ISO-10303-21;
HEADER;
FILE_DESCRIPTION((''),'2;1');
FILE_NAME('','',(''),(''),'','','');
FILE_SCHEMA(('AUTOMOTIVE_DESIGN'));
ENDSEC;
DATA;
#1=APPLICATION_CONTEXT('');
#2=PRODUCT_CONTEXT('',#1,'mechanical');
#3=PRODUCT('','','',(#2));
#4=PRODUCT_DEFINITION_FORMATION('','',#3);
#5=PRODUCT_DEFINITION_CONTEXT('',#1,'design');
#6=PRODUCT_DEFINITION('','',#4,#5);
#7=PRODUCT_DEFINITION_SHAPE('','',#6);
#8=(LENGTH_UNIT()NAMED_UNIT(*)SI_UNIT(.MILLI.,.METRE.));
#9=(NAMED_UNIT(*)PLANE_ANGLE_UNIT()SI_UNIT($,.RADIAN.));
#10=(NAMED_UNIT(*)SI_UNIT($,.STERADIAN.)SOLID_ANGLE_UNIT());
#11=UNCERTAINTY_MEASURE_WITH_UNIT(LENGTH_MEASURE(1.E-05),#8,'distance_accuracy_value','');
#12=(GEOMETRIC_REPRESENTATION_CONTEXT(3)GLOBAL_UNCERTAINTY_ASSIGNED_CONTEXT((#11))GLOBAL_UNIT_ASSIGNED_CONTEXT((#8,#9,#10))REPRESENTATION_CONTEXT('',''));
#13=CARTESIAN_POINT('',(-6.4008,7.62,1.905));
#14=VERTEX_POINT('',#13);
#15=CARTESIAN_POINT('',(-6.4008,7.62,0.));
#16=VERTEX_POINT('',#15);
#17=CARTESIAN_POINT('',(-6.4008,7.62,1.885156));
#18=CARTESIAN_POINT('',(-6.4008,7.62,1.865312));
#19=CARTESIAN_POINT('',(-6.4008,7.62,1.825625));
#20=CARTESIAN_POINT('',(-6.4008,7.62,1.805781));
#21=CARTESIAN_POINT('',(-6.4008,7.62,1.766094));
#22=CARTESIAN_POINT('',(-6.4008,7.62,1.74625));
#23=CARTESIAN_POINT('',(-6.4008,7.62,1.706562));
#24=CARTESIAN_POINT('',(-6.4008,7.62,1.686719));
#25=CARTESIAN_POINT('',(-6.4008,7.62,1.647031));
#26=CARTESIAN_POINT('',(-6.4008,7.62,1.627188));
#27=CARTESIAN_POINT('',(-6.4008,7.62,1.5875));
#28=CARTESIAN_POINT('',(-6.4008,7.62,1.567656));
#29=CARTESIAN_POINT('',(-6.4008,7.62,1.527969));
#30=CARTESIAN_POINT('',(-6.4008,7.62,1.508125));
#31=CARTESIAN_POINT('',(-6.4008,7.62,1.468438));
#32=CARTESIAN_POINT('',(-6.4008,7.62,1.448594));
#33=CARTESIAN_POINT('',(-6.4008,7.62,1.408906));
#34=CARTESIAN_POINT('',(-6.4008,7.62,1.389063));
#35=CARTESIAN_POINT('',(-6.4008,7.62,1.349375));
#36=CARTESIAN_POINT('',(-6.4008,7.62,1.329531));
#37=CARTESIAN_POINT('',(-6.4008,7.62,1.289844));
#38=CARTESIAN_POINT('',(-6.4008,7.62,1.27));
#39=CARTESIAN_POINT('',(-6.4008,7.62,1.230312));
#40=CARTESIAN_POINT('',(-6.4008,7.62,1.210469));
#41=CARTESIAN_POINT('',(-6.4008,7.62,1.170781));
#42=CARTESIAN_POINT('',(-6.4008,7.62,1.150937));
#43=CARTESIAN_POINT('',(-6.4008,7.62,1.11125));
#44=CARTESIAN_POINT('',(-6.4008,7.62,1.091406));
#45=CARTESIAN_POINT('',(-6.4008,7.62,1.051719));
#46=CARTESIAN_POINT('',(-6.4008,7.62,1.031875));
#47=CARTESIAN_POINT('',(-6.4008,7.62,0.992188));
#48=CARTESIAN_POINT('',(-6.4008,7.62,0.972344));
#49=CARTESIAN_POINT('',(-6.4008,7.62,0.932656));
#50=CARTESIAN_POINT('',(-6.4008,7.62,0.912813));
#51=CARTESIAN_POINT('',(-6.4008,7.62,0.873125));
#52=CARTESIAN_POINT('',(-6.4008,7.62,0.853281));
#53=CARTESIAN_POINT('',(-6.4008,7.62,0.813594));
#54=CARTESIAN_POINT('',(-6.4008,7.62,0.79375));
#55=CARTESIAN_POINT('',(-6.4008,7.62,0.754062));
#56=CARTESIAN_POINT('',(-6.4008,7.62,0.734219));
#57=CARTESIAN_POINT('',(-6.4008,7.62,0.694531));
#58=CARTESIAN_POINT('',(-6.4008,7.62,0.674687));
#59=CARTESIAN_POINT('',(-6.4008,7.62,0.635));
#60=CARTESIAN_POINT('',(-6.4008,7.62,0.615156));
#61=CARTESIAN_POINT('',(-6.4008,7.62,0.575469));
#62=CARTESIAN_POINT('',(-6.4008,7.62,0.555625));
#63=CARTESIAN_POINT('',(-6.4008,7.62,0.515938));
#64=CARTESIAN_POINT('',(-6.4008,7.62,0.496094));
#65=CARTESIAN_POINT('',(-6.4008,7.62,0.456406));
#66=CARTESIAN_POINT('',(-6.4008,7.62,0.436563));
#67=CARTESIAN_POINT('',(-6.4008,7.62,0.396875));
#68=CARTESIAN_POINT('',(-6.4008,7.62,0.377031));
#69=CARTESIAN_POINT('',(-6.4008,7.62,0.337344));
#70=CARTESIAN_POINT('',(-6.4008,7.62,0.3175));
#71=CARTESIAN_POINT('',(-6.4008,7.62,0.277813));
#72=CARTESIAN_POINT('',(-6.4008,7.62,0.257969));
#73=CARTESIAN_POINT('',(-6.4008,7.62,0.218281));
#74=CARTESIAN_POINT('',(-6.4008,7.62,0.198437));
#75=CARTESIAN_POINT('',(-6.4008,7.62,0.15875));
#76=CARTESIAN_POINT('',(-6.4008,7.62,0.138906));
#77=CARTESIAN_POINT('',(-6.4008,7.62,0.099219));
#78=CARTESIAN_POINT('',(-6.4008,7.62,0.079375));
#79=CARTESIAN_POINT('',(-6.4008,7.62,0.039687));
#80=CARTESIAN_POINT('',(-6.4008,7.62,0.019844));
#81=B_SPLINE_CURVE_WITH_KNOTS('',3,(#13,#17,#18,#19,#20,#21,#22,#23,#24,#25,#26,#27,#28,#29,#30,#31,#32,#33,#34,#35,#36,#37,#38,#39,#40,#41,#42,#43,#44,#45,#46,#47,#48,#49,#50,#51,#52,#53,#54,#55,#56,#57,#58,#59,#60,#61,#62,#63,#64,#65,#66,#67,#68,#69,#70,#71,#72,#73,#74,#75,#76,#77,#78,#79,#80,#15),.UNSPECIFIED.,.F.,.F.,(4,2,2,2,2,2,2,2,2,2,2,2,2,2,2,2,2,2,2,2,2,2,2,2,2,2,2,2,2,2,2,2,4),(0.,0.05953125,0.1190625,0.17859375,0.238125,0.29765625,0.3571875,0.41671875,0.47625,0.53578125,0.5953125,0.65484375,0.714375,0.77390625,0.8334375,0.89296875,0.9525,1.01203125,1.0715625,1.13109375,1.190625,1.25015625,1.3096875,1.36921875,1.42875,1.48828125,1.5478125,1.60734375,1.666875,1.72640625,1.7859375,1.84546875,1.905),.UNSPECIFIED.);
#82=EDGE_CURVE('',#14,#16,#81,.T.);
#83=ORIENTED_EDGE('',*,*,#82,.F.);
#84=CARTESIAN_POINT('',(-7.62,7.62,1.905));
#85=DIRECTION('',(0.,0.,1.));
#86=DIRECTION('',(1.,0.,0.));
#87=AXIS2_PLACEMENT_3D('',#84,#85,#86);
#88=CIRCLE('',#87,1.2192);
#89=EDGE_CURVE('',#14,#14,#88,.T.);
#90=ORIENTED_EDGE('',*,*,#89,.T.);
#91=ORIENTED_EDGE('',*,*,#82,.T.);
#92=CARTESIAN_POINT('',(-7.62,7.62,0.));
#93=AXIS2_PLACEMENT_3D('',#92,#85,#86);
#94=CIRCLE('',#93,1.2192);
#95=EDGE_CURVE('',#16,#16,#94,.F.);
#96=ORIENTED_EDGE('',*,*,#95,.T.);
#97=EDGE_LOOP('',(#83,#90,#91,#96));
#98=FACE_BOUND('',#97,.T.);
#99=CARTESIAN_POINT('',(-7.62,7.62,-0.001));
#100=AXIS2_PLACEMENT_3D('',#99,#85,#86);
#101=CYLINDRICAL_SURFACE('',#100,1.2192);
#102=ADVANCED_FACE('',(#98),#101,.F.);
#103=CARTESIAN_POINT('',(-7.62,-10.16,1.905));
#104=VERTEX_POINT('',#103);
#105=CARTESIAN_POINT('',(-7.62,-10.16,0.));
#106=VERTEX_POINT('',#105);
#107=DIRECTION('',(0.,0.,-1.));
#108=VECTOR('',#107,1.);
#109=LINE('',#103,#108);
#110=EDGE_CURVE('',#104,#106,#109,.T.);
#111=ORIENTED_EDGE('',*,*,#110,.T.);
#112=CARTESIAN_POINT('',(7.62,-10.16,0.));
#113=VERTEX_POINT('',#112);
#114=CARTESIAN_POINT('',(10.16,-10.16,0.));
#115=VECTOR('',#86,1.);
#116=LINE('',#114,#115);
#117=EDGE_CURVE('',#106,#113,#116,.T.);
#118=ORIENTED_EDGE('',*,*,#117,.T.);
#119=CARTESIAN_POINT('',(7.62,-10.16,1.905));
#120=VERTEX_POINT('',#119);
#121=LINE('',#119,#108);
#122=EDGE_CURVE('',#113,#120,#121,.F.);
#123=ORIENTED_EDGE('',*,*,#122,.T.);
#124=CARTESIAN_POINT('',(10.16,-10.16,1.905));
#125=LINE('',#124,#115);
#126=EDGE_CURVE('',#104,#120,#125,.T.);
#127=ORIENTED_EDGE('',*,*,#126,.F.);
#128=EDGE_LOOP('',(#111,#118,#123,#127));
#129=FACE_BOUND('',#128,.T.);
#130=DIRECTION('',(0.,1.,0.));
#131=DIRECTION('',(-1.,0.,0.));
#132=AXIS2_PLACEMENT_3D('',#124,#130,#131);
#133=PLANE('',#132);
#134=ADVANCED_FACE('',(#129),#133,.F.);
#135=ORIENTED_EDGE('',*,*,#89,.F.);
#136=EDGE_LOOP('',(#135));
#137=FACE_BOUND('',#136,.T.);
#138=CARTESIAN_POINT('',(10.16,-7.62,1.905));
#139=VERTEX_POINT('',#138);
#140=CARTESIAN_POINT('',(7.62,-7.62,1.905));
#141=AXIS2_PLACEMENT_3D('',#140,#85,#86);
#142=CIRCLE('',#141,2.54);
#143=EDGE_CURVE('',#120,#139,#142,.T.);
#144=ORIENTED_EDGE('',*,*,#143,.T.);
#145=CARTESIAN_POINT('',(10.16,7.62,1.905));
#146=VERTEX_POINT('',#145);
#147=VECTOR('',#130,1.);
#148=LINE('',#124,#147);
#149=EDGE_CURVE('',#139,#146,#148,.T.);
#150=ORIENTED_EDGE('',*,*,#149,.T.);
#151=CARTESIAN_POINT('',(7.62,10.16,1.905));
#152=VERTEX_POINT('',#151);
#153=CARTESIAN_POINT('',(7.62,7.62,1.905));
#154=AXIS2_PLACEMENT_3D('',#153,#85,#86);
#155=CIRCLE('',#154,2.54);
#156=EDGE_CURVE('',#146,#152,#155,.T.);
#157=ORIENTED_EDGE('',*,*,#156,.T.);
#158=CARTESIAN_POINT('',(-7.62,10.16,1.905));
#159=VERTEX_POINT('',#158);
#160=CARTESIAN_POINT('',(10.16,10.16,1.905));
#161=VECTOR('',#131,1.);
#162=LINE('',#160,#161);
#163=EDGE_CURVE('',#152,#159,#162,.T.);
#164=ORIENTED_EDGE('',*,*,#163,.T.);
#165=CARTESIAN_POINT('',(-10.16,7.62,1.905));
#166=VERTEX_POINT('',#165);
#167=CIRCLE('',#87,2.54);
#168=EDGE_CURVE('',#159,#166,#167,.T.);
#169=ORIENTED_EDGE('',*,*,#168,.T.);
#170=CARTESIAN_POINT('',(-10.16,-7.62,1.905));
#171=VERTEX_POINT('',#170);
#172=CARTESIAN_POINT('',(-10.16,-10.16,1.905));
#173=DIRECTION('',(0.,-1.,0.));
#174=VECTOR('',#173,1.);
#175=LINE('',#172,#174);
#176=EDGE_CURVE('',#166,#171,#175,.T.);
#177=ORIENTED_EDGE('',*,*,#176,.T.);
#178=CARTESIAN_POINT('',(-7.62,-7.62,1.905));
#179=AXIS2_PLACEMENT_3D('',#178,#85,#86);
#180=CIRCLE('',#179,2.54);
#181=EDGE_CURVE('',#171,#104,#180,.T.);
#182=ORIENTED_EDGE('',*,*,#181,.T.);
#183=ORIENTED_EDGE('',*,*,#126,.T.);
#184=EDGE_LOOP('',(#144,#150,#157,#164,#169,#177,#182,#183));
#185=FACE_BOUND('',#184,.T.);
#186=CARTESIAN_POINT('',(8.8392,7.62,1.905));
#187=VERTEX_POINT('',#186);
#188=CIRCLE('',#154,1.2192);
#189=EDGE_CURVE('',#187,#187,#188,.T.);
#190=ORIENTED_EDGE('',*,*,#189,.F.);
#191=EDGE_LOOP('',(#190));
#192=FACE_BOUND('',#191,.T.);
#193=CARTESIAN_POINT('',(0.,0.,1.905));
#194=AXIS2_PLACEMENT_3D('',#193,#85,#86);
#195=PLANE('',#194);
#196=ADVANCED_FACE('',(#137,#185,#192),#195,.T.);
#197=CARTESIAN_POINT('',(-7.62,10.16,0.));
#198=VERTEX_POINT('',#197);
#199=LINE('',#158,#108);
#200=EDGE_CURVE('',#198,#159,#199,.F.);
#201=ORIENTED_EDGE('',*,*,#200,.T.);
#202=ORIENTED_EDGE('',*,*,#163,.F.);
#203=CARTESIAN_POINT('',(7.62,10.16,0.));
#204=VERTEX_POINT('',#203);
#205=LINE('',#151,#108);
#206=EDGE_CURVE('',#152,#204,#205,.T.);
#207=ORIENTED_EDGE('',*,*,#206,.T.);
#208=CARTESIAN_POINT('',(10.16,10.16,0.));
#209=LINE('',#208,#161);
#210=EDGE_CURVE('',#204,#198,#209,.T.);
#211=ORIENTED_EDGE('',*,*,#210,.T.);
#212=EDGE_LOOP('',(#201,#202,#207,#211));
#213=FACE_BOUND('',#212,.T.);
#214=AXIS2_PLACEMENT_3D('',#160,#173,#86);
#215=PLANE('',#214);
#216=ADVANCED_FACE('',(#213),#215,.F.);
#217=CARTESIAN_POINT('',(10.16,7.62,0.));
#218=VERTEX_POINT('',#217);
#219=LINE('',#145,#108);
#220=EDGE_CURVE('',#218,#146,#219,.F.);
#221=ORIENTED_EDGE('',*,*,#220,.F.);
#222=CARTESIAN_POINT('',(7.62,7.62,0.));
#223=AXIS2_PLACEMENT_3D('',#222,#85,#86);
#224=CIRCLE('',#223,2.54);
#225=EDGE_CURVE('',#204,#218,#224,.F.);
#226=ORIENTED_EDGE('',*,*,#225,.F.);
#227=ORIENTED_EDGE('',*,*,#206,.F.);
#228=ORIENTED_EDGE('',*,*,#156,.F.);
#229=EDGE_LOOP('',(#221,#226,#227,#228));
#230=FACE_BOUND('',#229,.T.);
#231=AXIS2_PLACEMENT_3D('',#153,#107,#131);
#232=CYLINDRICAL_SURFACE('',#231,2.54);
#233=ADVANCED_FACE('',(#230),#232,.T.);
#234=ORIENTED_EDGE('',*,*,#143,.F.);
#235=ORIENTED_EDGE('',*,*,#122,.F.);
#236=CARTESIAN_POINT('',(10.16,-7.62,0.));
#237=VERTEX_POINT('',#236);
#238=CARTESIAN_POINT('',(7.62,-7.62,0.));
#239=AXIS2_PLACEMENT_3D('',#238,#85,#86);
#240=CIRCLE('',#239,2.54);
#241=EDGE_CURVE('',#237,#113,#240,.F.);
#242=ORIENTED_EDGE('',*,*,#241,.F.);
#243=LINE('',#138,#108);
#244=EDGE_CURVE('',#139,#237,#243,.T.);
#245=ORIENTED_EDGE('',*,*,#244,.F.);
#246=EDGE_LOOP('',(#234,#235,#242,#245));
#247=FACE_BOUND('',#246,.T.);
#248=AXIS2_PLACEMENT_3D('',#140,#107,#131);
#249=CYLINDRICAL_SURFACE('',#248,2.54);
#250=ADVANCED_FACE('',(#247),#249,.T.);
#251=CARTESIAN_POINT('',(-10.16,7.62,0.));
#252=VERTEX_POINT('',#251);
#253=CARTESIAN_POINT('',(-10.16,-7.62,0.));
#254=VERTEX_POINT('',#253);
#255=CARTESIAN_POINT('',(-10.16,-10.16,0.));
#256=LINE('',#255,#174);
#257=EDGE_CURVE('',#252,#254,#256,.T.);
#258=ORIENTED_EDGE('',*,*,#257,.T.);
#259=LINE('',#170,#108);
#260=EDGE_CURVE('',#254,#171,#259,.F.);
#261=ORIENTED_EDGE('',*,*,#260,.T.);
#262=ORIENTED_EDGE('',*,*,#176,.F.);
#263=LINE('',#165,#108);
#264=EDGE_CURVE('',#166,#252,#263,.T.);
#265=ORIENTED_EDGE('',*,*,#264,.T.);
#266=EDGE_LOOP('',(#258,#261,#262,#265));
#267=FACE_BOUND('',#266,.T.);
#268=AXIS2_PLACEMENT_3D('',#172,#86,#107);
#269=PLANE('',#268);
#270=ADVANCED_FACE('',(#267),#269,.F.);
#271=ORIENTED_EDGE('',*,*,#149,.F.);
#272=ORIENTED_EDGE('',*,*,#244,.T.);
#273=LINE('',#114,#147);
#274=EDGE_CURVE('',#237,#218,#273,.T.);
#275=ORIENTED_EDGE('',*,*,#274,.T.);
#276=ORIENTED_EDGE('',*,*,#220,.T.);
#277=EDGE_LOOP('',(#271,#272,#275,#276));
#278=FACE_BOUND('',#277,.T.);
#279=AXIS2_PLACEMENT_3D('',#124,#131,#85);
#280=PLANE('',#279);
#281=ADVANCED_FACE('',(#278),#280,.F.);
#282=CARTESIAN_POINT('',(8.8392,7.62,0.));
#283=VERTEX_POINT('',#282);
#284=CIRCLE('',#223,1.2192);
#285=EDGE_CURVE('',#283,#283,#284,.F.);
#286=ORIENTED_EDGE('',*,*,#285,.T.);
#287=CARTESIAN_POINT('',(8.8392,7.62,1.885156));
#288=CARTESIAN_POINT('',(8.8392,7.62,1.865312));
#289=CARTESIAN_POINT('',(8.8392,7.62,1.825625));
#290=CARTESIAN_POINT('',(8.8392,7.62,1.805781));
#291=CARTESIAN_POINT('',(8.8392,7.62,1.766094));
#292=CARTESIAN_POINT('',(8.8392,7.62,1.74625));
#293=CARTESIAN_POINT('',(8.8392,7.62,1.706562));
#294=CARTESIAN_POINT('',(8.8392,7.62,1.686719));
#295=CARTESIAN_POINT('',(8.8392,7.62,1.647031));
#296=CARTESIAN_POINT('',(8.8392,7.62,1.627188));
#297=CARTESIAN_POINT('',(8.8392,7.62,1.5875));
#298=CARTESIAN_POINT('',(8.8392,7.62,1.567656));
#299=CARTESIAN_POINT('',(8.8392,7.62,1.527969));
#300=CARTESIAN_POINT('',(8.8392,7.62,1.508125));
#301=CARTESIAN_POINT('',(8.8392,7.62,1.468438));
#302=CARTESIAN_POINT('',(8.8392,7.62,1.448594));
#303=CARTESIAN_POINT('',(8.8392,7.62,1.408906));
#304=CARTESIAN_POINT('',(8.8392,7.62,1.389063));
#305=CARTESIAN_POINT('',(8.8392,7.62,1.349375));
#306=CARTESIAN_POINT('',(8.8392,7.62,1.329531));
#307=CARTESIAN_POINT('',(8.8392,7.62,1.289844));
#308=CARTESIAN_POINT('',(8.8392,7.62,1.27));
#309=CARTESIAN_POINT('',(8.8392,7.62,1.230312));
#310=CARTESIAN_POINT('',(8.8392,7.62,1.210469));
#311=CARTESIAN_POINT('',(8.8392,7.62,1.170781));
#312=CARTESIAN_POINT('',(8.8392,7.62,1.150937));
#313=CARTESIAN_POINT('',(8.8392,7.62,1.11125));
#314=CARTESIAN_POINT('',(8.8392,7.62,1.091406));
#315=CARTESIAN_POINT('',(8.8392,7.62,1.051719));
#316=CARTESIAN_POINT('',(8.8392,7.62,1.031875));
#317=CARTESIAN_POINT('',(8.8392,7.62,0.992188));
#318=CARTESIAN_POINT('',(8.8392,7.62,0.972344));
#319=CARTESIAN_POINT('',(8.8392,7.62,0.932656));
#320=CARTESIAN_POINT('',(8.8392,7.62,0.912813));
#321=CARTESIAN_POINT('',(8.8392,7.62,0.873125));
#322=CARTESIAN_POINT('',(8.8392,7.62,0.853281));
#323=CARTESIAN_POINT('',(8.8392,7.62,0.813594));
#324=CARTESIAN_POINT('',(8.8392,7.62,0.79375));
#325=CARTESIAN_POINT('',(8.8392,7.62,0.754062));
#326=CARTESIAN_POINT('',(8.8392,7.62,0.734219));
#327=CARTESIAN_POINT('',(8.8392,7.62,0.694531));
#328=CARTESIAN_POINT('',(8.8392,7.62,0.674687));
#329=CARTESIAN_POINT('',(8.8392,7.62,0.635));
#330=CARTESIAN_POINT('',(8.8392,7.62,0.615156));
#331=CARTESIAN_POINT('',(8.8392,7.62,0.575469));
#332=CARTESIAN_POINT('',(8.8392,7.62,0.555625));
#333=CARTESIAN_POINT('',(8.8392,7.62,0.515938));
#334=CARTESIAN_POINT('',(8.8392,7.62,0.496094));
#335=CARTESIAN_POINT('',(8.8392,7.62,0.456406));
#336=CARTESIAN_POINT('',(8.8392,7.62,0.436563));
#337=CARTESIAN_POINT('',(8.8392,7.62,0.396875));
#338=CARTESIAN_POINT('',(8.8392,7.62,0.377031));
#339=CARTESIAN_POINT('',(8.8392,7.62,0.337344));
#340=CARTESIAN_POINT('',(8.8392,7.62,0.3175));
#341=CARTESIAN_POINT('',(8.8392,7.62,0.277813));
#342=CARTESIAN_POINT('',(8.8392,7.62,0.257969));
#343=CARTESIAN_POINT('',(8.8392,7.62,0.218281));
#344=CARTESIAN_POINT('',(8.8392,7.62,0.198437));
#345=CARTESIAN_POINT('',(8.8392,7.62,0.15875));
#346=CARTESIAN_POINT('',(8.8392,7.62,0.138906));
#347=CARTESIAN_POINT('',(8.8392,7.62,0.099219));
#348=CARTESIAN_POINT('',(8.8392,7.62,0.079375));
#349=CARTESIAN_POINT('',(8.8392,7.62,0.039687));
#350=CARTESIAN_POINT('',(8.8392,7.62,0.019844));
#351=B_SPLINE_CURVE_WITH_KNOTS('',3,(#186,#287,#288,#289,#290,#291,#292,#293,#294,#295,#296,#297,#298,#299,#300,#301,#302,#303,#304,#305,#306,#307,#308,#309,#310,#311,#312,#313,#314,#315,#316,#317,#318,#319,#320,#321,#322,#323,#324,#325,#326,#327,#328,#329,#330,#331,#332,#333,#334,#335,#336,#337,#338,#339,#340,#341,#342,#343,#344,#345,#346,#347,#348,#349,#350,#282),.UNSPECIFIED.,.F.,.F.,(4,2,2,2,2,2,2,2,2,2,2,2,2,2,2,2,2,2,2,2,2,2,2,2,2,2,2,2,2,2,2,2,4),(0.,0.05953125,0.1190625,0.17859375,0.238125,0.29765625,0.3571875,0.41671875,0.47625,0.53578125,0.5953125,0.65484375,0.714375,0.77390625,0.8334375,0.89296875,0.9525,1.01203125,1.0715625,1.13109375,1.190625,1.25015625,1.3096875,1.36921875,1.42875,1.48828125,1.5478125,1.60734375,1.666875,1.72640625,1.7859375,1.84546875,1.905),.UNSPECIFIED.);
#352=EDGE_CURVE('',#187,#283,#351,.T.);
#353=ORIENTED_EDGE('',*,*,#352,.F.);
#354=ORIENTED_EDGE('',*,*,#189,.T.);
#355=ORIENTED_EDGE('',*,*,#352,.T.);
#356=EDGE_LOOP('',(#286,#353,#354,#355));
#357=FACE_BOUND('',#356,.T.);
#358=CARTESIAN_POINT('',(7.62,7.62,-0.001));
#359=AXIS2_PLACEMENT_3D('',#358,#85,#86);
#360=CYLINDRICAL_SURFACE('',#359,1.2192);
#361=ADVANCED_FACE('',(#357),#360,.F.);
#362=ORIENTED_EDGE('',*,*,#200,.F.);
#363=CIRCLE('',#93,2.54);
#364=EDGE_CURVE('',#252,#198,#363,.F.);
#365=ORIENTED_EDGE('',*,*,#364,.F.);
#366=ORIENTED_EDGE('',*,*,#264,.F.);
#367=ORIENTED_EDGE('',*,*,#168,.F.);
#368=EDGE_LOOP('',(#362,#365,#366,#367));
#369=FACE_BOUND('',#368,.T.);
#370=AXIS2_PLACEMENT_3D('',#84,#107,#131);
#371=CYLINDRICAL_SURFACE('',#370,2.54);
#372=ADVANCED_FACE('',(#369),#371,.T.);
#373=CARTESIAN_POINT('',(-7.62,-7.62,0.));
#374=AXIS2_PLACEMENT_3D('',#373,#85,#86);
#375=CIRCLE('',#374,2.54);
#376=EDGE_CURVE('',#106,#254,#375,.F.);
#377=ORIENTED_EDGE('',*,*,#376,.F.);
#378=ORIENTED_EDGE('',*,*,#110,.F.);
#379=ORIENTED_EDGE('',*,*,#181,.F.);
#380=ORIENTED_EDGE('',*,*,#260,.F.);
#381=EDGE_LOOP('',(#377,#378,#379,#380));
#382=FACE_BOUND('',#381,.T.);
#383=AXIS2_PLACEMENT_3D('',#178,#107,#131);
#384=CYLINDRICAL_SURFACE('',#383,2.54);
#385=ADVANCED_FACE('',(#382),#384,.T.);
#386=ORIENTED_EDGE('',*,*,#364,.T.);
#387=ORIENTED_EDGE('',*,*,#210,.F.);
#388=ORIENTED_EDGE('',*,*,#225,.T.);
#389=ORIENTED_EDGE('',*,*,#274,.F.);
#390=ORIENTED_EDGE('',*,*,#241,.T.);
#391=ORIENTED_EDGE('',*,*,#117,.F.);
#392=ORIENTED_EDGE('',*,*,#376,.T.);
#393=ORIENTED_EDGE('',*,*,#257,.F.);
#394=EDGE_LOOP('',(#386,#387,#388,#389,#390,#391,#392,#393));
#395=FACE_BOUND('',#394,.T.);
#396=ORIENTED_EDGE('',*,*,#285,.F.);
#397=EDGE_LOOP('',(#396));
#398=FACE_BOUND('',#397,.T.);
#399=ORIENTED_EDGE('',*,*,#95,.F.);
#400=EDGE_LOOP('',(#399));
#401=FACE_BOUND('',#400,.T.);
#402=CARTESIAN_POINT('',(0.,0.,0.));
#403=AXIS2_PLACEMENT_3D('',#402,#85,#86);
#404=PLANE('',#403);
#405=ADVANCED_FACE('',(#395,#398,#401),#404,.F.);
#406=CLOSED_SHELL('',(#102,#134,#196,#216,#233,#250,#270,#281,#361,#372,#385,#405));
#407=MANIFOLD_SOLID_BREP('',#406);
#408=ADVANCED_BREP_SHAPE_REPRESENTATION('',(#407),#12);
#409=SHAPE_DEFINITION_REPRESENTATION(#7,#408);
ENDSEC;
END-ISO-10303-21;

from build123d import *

# Parameters (mm, degrees)
SKETCH1_W           = 20.32
SKETCH1_H           = 20.32
BOSS_EXTRUDE1_DEPTH = 1.905
CUT_EXTRUDE1_REACH  = 16.494
SKETCH2_R           = 1.2192
FILLET1_R           = 2.54


with BuildPart() as part:
    # Sketch1 → Boss-Extrude1 (new body)
    with BuildSketch(Plane.XY):
        Rectangle(SKETCH1_W, SKETCH1_H)
    extrude(amount=BOSS_EXTRUDE1_DEPTH)

    # Sketch2 → Cut-Extrude1 (cut, up to next)
    with BuildSketch(Plane.XY.offset(1.905), mode=Mode.PRIVATE) as cut_extrude1_sk1:
        with Locations((-7.62, 7.62)):
            Circle(SKETCH2_R)
    cut_extrude1_tool1 = extrude(cut_extrude1_sk1.sketch, amount=-CUT_EXTRUDE1_REACH, mode=Mode.PRIVATE) & part.part
    # Sketch2 → Cut-Extrude1 (cut, up to next)
    with BuildSketch(Plane.XY.offset(1.905), mode=Mode.PRIVATE) as cut_extrude1_sk2:
        with Locations((7.62, 7.62)):
            Circle(SKETCH2_R)
    cut_extrude1_tool2 = extrude(cut_extrude1_sk2.sketch, amount=-CUT_EXTRUDE1_REACH, mode=Mode.PRIVATE) & part.part
    add(cut_extrude1_tool1.solids().sort_by_distance((-7.62, 7.62, 1.905))[0], mode=Mode.SUBTRACT)
    add(cut_extrude1_tool2.solids().sort_by_distance((7.62, 7.62, 1.905))[0], mode=Mode.SUBTRACT)

    # Fillet1
    fillet1_edges = [part.edges().sort_by_distance(p)[0] for p in [
        (-10.16, 10.16, 0.9525),
        (10.16, 10.16, 0.9525),
        (10.16, -10.16, 0.9525),
        (-10.16, -10.16, 0.9525),
    ]]
    fillet(fillet1_edges, radius=FILLET1_R)


solid = part.part
